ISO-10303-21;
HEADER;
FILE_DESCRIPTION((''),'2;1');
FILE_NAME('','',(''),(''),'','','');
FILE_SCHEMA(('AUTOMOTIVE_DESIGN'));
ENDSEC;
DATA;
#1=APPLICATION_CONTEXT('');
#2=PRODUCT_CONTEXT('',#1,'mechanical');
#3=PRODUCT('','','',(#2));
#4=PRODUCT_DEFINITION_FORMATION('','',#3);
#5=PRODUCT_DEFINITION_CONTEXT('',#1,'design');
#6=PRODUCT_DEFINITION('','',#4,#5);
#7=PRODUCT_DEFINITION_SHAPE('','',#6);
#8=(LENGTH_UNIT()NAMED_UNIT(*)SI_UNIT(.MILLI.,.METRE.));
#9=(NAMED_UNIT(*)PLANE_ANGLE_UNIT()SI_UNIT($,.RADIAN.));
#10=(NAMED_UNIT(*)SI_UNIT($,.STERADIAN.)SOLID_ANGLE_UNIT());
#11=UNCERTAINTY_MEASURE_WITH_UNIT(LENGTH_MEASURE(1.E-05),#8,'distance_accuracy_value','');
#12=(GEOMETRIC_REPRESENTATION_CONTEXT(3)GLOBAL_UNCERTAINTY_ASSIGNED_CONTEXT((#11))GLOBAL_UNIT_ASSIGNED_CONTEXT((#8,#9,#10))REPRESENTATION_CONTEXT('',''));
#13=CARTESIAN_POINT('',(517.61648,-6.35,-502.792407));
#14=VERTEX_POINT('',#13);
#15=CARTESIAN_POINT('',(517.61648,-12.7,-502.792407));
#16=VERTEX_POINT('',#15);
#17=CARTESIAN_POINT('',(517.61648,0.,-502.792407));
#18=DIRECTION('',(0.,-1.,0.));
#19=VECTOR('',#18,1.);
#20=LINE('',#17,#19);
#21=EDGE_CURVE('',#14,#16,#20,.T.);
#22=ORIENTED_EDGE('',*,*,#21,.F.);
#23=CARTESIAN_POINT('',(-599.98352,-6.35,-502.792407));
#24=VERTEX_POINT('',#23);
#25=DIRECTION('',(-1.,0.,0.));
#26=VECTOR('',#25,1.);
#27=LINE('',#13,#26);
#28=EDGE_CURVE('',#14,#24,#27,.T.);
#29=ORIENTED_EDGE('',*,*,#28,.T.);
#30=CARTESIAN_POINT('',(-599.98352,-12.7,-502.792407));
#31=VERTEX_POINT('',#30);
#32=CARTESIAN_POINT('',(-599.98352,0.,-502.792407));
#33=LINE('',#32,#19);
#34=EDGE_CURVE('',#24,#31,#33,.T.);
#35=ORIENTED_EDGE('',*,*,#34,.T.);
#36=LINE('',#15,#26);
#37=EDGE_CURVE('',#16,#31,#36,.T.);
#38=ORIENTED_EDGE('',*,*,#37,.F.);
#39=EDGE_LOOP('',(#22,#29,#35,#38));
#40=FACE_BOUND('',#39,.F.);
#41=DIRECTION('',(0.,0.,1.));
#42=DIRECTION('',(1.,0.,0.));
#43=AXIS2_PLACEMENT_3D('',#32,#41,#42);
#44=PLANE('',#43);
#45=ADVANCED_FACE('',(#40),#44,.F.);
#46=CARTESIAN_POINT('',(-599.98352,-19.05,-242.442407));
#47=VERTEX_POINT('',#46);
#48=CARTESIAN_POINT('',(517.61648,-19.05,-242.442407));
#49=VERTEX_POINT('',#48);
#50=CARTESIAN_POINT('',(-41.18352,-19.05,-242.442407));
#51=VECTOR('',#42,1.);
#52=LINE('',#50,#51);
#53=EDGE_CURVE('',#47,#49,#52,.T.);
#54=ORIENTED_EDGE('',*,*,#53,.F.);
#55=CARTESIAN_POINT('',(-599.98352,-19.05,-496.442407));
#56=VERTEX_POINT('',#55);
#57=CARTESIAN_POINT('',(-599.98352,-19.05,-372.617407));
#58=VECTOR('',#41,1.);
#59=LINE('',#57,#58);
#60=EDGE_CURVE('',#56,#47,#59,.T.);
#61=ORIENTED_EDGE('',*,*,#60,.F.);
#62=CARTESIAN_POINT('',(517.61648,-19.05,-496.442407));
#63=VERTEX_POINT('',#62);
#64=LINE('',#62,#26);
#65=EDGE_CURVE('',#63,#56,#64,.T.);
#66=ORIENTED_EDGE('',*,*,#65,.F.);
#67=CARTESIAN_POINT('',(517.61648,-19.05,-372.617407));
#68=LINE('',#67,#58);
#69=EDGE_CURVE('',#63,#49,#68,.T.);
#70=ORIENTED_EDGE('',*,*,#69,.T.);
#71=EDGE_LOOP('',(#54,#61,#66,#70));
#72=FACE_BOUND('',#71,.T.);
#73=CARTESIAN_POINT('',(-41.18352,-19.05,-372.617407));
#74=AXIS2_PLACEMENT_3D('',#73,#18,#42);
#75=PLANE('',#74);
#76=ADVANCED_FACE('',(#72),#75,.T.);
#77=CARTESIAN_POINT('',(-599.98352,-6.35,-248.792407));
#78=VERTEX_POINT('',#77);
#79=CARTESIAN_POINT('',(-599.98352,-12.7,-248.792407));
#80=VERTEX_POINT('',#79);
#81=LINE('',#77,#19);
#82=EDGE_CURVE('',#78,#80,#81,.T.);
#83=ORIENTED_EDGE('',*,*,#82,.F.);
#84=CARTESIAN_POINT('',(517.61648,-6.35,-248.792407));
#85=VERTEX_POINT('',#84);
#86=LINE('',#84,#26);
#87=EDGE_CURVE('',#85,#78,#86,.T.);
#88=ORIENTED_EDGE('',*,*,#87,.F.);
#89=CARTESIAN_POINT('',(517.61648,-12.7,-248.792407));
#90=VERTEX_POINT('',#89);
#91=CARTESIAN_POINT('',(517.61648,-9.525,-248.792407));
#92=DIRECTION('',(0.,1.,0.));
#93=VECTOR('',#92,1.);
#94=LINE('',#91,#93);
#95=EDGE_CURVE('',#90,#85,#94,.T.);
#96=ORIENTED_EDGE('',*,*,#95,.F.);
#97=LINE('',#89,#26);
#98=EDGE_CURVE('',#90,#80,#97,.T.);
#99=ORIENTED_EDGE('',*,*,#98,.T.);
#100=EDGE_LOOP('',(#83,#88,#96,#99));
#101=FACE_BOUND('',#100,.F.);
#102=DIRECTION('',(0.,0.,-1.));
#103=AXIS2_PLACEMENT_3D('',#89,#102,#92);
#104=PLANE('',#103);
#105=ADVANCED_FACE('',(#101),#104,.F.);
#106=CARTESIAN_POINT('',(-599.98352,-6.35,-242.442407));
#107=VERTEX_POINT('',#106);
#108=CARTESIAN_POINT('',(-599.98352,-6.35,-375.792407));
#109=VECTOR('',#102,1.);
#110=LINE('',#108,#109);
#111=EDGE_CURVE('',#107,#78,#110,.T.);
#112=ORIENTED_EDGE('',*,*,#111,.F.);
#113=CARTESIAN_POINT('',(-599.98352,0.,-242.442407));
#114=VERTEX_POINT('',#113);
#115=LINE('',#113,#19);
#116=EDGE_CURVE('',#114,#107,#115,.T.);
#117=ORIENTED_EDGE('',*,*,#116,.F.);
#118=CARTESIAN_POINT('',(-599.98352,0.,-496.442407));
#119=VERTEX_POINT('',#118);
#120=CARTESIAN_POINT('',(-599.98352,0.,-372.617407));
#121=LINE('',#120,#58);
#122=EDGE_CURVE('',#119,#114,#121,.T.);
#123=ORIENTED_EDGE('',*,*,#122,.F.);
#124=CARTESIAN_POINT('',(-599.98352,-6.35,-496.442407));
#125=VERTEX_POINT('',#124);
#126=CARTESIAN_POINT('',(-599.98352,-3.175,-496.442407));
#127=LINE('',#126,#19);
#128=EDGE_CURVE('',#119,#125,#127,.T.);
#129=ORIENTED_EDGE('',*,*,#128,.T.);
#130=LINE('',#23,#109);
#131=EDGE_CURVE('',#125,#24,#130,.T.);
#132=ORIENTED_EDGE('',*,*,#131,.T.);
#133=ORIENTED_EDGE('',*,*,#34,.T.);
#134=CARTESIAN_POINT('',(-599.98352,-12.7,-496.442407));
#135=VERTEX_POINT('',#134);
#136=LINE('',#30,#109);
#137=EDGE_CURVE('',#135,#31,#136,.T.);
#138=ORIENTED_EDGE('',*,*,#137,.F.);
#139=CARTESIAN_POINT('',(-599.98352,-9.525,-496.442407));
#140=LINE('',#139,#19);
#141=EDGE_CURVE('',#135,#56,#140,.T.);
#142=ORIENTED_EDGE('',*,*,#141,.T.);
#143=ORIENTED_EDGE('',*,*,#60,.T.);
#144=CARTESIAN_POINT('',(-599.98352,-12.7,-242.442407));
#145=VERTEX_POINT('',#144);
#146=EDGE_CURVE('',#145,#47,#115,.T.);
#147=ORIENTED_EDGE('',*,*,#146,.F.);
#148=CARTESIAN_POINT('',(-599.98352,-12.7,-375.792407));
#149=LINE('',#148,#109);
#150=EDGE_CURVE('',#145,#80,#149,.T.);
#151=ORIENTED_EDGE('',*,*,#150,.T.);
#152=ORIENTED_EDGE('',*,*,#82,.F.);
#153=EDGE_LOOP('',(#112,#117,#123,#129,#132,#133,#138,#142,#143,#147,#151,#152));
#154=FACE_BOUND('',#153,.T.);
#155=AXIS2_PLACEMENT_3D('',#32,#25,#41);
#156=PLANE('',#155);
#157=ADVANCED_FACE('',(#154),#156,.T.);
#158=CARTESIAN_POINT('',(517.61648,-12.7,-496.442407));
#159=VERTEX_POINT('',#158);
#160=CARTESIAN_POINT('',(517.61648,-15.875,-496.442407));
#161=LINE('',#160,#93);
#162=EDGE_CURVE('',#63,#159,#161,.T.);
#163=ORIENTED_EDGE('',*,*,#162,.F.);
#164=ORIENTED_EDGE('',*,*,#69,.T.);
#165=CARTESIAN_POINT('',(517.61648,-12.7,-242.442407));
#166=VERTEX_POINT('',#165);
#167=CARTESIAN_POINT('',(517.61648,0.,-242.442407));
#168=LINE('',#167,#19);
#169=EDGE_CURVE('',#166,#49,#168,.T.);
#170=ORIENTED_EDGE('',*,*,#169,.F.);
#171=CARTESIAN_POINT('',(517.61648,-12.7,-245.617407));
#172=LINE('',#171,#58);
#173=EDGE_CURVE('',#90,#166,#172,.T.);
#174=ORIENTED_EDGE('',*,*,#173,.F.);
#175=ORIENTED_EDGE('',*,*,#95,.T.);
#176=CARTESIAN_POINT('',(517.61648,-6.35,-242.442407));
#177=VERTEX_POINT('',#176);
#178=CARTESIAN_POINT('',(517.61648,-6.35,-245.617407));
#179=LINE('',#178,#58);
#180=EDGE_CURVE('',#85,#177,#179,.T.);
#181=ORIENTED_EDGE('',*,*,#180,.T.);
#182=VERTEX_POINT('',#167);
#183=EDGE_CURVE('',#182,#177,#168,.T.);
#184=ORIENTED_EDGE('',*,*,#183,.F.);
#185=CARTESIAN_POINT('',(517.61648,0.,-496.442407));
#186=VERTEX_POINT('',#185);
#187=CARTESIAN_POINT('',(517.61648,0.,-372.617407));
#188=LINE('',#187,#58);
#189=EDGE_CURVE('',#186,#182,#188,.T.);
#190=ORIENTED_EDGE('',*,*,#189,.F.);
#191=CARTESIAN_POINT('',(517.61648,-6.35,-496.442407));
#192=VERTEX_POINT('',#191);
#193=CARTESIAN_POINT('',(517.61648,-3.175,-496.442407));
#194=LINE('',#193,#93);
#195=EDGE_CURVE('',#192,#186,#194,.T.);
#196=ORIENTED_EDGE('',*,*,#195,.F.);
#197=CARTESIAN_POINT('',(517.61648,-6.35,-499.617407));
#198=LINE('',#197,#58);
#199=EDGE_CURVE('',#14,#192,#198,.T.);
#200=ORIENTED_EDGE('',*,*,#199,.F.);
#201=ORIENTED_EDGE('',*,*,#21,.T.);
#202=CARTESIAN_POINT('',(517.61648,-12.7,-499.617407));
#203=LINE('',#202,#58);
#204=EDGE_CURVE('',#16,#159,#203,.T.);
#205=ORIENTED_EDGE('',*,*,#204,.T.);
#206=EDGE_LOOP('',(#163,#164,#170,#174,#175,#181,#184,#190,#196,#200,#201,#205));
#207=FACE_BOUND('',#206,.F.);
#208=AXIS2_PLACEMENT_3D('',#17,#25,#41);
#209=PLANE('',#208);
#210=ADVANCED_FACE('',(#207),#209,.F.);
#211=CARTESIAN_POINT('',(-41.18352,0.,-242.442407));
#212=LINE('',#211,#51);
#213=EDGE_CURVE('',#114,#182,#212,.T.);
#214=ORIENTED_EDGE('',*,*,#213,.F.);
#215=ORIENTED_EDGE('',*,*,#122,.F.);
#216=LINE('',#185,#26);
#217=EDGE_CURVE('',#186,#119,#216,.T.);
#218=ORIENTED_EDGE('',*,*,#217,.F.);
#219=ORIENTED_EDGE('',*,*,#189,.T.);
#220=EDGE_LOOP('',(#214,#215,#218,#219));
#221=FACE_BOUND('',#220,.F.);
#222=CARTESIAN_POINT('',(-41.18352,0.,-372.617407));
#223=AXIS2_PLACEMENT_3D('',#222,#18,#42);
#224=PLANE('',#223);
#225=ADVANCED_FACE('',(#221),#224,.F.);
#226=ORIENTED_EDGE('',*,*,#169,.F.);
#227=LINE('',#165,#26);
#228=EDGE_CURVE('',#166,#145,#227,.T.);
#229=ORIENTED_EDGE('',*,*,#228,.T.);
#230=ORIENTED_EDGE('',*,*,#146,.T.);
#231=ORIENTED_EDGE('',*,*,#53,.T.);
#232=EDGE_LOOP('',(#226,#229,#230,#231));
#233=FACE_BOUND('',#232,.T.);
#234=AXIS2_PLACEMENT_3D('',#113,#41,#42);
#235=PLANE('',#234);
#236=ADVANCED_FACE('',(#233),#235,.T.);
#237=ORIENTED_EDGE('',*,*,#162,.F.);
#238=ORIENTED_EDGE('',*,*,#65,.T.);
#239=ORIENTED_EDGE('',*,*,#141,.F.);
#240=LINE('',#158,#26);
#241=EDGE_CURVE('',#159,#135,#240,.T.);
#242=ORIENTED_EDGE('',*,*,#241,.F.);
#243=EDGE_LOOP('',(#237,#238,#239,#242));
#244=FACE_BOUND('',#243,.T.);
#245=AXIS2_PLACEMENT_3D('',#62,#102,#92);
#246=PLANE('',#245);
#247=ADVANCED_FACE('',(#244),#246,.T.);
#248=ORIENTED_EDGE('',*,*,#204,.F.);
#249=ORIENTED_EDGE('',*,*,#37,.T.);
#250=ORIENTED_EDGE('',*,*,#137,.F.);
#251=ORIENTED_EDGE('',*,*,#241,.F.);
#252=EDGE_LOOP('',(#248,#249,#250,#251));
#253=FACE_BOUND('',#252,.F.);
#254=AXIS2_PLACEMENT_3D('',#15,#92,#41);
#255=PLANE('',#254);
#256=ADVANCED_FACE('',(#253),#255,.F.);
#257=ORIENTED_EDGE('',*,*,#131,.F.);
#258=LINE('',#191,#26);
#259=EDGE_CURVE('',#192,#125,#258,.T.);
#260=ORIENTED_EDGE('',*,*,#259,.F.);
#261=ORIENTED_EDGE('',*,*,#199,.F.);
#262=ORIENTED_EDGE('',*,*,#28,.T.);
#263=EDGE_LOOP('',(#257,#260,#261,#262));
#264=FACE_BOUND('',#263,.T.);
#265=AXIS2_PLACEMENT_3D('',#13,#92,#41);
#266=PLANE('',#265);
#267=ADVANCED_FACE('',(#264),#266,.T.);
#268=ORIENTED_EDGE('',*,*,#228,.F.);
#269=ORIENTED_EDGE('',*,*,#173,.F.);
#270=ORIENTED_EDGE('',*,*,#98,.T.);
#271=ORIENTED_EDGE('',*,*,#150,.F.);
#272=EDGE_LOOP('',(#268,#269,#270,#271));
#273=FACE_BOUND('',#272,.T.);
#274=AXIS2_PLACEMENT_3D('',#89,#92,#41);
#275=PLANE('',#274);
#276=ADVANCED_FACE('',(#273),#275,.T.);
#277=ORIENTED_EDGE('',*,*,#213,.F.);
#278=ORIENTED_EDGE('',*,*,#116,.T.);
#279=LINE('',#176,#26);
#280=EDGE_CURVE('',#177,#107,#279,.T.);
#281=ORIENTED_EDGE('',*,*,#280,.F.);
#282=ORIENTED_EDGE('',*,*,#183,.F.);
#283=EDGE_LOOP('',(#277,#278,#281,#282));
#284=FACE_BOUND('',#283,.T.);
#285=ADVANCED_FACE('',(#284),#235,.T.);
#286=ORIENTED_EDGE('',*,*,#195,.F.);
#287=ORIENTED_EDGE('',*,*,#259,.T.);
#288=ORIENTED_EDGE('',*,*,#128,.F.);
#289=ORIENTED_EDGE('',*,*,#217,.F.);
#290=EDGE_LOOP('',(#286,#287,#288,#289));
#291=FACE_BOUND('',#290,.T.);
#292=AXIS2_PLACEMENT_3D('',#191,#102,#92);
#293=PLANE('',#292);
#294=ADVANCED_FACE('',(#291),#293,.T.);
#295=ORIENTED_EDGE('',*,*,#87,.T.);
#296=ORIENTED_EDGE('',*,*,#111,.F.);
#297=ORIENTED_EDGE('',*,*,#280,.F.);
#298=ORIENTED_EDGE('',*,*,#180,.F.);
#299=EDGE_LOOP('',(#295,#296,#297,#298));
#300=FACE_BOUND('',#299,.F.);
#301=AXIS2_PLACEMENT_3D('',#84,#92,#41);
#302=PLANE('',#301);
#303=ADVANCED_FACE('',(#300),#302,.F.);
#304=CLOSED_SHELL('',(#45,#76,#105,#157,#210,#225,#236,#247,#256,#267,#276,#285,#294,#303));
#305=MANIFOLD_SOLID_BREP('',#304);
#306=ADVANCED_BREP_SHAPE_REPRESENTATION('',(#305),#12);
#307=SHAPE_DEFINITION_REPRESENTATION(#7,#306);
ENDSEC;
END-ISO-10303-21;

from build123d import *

# Parameters (mm, degrees)
F0_W     = 1117.6
F0_H     = 260.35
F1_DEPTH = 19.05
F2_W     = 6.35
F2_H     = 6.35
F3_DEPTH = 1117.601
F4_W     = 6.35
F4_H     = 6.35
F5_DEPTH = 1117.601


with BuildPart() as f1:
    # F0 (on Front) → F1 (new body)
    with BuildSketch(Plane.XZ):
        with Locations((-41.18352, -372.617407)):
            Rectangle(F0_W, F0_H)
    extrude(amount=F1_DEPTH)

    # F2 (on face) → F3 (cut, through all)
    with BuildSketch(Plane.YZ.offset(517.61648)):
        with Locations((-9.525, -245.617407)):
            Rectangle(F2_W, F2_H)
    extrude(amount=-F3_DEPTH, mode=Mode.SUBTRACT)

    # F4 (on face) + F2 (on face) → F5 (cut, through all)
    with BuildSketch(Plane.YZ.offset(517.61648)):
        with Locations((-15.875, -499.617407)):
            Rectangle(F4_W, F4_H)
        with Locations((-3.175, -499.617407)):
            Rectangle(F4_W, F4_H)
    with BuildSketch(Plane.YZ.offset(517.61648)):
        with Locations((-9.525, -245.617407)):
            Rectangle(F2_W, F2_H)
    extrude(amount=-F5_DEPTH, mode=Mode.SUBTRACT)


solid = f1.part
